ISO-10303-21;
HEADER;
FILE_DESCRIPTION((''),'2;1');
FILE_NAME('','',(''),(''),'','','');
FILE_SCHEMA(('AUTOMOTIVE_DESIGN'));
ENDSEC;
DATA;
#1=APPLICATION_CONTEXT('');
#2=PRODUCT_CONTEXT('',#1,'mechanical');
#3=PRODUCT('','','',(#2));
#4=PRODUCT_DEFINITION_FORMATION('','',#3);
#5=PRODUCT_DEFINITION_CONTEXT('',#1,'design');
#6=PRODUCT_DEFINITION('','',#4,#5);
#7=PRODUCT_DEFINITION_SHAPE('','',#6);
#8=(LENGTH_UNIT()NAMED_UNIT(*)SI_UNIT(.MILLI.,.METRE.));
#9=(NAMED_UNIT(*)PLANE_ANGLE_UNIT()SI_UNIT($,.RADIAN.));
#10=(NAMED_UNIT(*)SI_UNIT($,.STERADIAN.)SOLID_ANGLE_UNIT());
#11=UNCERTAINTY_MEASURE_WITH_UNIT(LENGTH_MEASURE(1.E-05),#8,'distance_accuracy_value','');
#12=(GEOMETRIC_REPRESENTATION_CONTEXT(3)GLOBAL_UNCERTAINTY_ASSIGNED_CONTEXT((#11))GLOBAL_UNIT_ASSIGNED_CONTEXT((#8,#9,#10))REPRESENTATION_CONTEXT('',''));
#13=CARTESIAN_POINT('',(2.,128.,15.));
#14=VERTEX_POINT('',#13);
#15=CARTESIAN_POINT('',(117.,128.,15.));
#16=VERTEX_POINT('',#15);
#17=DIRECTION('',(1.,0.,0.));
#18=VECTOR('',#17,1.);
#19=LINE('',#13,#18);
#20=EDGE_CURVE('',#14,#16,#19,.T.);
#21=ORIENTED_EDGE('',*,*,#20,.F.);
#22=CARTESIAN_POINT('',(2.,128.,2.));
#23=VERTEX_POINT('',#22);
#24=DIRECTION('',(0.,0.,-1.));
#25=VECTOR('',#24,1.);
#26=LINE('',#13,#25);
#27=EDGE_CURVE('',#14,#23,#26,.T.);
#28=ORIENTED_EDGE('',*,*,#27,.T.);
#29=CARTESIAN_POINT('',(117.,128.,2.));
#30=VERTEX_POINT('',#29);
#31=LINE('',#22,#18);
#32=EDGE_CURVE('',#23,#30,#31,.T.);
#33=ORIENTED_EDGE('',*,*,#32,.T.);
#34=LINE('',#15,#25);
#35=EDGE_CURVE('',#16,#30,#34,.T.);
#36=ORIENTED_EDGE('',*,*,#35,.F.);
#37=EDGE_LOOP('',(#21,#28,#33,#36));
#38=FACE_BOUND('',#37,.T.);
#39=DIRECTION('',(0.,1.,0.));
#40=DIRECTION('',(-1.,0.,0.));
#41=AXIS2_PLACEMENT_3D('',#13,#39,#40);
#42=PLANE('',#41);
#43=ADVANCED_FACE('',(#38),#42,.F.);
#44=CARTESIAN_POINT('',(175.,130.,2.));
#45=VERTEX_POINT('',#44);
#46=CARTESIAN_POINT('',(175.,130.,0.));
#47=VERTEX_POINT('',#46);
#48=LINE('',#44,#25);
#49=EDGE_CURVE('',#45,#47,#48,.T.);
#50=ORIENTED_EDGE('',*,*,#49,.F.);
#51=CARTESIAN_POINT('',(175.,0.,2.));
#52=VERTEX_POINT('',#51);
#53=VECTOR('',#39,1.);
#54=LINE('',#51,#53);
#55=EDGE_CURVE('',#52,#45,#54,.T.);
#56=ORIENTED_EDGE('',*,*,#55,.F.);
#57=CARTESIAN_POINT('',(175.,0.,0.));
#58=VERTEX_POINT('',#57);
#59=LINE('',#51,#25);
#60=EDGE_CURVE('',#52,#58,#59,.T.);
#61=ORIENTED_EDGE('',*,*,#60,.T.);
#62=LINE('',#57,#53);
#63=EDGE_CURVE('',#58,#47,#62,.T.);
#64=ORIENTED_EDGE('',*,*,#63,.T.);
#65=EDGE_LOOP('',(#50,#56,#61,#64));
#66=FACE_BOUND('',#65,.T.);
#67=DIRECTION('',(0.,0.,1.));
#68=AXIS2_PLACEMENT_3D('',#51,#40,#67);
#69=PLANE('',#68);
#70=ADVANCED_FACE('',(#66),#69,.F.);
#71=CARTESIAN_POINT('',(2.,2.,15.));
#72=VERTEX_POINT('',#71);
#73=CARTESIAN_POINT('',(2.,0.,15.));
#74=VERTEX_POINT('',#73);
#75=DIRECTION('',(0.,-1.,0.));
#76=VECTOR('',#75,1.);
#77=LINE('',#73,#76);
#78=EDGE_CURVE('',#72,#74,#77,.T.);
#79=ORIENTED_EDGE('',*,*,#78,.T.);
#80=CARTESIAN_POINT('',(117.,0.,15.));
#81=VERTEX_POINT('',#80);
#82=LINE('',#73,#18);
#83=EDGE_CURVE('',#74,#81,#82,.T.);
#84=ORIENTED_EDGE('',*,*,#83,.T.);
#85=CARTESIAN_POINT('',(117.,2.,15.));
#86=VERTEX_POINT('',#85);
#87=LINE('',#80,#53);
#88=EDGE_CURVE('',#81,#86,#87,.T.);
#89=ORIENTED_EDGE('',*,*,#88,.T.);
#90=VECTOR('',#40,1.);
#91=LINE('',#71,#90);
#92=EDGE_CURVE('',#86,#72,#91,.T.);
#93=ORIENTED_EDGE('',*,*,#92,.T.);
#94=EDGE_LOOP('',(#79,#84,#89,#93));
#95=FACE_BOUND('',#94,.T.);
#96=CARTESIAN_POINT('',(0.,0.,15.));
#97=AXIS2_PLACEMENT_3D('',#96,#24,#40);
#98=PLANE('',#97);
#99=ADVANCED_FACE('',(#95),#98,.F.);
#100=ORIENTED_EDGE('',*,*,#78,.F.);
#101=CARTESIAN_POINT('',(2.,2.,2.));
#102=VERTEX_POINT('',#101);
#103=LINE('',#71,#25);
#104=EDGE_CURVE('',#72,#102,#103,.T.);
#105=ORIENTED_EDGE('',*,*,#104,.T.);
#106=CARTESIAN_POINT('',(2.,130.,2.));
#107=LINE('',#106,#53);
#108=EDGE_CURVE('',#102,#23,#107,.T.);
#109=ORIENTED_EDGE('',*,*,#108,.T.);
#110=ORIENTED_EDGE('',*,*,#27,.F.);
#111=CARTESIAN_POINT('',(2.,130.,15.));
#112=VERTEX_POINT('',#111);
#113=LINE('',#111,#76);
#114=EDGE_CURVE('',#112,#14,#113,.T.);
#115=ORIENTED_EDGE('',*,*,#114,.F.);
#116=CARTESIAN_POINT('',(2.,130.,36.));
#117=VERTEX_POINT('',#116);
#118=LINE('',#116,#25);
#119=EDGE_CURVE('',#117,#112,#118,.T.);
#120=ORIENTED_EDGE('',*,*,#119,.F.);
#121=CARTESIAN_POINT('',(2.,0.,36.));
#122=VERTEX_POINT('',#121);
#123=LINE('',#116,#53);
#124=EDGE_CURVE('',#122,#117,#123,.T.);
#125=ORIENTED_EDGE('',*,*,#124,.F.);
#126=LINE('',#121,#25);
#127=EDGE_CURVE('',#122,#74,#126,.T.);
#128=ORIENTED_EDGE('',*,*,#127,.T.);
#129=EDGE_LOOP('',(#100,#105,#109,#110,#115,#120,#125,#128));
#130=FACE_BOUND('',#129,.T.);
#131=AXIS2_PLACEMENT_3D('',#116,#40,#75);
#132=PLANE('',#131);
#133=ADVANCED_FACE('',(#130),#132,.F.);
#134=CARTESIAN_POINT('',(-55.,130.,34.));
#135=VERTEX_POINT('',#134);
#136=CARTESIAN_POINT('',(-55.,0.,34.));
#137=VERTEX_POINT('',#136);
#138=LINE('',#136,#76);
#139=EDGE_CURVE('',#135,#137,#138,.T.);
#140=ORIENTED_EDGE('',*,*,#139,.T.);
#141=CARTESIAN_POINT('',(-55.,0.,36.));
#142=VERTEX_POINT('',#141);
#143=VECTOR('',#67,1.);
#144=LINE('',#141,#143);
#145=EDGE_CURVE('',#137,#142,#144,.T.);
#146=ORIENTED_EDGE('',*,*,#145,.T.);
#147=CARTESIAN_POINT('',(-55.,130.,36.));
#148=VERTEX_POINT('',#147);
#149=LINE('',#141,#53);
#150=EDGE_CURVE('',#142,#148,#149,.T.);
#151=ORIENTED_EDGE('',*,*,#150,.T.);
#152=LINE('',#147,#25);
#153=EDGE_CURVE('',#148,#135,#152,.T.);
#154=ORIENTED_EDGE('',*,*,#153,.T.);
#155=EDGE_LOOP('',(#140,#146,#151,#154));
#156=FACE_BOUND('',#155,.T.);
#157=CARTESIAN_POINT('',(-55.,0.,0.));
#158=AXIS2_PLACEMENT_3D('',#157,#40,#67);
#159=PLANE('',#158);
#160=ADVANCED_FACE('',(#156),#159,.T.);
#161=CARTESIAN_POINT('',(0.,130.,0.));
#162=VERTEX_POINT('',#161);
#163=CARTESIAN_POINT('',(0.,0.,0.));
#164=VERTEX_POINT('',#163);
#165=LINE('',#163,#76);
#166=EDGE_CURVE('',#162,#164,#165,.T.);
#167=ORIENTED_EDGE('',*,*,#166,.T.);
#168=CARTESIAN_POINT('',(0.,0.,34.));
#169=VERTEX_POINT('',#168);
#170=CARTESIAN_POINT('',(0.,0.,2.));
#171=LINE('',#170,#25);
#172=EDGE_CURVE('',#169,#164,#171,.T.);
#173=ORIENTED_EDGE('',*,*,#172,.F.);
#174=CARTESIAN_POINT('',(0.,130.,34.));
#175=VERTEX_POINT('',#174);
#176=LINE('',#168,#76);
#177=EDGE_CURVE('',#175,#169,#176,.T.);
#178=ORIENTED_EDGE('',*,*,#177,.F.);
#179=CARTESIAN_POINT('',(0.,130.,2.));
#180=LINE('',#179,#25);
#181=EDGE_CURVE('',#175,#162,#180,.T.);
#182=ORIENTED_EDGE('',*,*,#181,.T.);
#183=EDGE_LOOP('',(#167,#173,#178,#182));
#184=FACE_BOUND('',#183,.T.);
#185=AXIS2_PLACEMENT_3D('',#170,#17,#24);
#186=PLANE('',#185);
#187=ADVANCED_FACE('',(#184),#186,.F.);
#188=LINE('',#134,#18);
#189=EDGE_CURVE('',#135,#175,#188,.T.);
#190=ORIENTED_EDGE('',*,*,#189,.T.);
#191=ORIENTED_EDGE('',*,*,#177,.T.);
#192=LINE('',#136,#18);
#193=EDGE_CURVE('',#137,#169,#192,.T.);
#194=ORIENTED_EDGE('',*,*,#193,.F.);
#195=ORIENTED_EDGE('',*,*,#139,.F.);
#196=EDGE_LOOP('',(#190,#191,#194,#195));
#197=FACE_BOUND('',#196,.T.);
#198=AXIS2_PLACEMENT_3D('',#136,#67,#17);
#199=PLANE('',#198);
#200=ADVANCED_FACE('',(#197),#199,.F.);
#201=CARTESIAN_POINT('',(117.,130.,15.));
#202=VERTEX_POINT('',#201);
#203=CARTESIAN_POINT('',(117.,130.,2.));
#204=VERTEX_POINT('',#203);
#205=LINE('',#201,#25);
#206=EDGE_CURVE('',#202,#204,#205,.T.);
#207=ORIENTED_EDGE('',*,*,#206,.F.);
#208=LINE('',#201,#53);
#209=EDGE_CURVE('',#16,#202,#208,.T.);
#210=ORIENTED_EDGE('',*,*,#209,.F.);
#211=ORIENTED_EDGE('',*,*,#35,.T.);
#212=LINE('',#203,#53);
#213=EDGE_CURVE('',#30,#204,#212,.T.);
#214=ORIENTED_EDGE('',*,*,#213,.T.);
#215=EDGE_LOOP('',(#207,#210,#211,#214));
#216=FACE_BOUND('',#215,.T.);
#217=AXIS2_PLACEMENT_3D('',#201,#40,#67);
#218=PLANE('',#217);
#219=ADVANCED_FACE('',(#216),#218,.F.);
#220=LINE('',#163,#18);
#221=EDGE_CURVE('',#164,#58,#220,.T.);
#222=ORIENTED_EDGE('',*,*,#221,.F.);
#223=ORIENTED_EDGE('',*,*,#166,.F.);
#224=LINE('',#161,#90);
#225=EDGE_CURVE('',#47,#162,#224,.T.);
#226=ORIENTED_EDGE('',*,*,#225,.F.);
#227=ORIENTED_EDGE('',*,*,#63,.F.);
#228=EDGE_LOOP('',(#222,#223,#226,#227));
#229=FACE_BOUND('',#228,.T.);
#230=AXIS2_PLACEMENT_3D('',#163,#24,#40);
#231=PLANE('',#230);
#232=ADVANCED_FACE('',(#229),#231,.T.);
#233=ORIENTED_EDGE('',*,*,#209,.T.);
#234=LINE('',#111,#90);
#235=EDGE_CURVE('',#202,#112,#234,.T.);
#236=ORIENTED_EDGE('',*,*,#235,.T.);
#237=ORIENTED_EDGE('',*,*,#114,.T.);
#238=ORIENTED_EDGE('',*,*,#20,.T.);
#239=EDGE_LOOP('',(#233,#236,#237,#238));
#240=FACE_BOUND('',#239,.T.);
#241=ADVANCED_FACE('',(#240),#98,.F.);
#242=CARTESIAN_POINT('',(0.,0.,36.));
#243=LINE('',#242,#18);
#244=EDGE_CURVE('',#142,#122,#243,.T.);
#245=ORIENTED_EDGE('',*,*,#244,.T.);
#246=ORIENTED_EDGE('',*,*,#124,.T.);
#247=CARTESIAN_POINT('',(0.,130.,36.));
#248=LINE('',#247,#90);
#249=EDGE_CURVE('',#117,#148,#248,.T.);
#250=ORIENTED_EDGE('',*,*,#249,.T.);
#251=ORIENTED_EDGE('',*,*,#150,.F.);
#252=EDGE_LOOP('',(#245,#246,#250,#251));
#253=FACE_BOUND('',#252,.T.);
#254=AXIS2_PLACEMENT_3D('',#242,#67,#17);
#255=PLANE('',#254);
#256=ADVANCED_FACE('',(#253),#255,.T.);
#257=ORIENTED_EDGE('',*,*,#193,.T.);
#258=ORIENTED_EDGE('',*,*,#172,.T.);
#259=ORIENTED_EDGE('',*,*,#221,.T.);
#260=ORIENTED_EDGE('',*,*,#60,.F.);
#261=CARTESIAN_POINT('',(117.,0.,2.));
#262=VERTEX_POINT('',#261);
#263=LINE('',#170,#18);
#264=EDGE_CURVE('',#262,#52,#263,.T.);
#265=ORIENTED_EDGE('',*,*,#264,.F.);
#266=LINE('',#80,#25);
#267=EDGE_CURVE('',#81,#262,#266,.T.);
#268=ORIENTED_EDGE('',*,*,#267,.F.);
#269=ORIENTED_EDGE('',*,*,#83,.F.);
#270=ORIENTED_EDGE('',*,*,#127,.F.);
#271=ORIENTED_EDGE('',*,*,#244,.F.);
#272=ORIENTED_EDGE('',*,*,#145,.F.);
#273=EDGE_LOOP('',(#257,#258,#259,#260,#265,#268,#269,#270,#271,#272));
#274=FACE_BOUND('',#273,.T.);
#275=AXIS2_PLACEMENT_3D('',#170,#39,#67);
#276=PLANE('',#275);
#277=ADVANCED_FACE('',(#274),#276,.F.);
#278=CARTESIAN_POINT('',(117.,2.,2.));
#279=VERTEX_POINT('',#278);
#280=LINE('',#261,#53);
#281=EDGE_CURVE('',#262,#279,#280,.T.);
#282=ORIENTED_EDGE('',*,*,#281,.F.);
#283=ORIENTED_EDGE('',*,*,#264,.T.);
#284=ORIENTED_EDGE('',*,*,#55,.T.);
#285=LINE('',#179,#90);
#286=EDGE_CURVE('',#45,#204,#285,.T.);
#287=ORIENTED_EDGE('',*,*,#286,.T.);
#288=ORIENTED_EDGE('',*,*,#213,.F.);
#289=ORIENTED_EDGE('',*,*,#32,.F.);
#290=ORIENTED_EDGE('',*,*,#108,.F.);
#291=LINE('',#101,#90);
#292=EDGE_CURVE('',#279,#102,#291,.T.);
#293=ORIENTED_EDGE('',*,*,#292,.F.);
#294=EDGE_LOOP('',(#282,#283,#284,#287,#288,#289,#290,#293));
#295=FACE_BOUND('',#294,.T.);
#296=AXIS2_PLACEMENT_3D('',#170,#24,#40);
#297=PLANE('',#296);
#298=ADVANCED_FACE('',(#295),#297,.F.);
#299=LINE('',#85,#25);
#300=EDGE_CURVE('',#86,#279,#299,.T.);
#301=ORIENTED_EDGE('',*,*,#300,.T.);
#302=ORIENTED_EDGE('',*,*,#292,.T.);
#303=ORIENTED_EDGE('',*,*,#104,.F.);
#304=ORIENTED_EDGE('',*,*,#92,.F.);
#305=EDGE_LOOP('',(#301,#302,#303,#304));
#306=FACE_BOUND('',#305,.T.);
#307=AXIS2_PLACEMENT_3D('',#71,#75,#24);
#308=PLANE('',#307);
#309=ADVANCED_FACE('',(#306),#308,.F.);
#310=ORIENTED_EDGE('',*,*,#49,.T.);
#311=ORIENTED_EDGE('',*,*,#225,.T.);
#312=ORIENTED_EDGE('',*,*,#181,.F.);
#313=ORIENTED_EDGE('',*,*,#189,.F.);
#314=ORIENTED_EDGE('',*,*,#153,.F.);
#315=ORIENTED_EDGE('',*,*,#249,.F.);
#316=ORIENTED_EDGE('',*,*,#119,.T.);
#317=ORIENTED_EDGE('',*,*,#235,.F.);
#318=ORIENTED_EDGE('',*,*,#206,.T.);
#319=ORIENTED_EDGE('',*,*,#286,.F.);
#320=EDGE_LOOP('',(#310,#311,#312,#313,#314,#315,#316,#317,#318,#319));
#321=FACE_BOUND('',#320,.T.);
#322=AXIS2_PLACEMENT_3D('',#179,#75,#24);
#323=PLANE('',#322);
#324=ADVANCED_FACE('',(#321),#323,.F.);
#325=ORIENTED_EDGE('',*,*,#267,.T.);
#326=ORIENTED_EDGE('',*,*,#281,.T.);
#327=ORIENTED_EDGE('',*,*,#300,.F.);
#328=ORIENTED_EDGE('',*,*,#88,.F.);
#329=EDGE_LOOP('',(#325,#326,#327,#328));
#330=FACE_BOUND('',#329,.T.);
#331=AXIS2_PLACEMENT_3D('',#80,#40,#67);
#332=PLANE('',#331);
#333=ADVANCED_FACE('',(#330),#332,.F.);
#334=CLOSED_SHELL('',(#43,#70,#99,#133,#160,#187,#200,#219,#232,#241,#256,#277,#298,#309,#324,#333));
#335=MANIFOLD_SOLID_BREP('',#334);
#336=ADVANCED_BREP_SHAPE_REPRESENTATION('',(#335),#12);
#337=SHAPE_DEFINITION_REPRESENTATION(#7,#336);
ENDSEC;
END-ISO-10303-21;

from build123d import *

# Parameters (mm, degrees)
SKETCH1_W           = 175
SKETCH1_H           = 130
BOSS_EXTRUDE1_DEPTH = 2
SKETCH2_W           = 2
SKETCH2_H           = 130
BOSS_EXTRUDE2_DEPTH = 34
SKETCH3_W           = 2
SKETCH3_H           = 130
BOSS_EXTRUDE4_DEPTH = 55
SKETCH5_W           = 115
SKETCH5_H           = 2
BOSS_EXTRUDE5_DEPTH = 13


with BuildPart() as part:
    # Sketch1 → Boss-Extrude1 (new body)
    with BuildSketch(Plane.XY):
        with Locations((87.5, 65)):
            Rectangle(SKETCH1_W, SKETCH1_H)
    extrude(amount=BOSS_EXTRUDE1_DEPTH)

    # Sketch2 → Boss-Extrude2 (add)
    with BuildSketch(Plane.XY.offset(2)):
        with Locations((1, 65)):
            Rectangle(SKETCH2_W, SKETCH2_H)
    extrude(amount=BOSS_EXTRUDE2_DEPTH)

    # Sketch3 → Boss-Extrude4 (add)
    with BuildSketch(Plane.ZY):
        with Locations((35, 65)):
            Rectangle(SKETCH3_W, SKETCH3_H)
    extrude(amount=BOSS_EXTRUDE4_DEPTH)

    # Sketch5 → Boss-Extrude5 (add)
    with BuildSketch(Plane.XY.offset(2)):
        with Locations((59.5, 1)):
            Rectangle(SKETCH5_W, SKETCH5_H)
        with Locations((59.5, 129)):
            Rectangle(SKETCH5_W, SKETCH5_H)
    extrude(amount=BOSS_EXTRUDE5_DEPTH)


solid = part.part
